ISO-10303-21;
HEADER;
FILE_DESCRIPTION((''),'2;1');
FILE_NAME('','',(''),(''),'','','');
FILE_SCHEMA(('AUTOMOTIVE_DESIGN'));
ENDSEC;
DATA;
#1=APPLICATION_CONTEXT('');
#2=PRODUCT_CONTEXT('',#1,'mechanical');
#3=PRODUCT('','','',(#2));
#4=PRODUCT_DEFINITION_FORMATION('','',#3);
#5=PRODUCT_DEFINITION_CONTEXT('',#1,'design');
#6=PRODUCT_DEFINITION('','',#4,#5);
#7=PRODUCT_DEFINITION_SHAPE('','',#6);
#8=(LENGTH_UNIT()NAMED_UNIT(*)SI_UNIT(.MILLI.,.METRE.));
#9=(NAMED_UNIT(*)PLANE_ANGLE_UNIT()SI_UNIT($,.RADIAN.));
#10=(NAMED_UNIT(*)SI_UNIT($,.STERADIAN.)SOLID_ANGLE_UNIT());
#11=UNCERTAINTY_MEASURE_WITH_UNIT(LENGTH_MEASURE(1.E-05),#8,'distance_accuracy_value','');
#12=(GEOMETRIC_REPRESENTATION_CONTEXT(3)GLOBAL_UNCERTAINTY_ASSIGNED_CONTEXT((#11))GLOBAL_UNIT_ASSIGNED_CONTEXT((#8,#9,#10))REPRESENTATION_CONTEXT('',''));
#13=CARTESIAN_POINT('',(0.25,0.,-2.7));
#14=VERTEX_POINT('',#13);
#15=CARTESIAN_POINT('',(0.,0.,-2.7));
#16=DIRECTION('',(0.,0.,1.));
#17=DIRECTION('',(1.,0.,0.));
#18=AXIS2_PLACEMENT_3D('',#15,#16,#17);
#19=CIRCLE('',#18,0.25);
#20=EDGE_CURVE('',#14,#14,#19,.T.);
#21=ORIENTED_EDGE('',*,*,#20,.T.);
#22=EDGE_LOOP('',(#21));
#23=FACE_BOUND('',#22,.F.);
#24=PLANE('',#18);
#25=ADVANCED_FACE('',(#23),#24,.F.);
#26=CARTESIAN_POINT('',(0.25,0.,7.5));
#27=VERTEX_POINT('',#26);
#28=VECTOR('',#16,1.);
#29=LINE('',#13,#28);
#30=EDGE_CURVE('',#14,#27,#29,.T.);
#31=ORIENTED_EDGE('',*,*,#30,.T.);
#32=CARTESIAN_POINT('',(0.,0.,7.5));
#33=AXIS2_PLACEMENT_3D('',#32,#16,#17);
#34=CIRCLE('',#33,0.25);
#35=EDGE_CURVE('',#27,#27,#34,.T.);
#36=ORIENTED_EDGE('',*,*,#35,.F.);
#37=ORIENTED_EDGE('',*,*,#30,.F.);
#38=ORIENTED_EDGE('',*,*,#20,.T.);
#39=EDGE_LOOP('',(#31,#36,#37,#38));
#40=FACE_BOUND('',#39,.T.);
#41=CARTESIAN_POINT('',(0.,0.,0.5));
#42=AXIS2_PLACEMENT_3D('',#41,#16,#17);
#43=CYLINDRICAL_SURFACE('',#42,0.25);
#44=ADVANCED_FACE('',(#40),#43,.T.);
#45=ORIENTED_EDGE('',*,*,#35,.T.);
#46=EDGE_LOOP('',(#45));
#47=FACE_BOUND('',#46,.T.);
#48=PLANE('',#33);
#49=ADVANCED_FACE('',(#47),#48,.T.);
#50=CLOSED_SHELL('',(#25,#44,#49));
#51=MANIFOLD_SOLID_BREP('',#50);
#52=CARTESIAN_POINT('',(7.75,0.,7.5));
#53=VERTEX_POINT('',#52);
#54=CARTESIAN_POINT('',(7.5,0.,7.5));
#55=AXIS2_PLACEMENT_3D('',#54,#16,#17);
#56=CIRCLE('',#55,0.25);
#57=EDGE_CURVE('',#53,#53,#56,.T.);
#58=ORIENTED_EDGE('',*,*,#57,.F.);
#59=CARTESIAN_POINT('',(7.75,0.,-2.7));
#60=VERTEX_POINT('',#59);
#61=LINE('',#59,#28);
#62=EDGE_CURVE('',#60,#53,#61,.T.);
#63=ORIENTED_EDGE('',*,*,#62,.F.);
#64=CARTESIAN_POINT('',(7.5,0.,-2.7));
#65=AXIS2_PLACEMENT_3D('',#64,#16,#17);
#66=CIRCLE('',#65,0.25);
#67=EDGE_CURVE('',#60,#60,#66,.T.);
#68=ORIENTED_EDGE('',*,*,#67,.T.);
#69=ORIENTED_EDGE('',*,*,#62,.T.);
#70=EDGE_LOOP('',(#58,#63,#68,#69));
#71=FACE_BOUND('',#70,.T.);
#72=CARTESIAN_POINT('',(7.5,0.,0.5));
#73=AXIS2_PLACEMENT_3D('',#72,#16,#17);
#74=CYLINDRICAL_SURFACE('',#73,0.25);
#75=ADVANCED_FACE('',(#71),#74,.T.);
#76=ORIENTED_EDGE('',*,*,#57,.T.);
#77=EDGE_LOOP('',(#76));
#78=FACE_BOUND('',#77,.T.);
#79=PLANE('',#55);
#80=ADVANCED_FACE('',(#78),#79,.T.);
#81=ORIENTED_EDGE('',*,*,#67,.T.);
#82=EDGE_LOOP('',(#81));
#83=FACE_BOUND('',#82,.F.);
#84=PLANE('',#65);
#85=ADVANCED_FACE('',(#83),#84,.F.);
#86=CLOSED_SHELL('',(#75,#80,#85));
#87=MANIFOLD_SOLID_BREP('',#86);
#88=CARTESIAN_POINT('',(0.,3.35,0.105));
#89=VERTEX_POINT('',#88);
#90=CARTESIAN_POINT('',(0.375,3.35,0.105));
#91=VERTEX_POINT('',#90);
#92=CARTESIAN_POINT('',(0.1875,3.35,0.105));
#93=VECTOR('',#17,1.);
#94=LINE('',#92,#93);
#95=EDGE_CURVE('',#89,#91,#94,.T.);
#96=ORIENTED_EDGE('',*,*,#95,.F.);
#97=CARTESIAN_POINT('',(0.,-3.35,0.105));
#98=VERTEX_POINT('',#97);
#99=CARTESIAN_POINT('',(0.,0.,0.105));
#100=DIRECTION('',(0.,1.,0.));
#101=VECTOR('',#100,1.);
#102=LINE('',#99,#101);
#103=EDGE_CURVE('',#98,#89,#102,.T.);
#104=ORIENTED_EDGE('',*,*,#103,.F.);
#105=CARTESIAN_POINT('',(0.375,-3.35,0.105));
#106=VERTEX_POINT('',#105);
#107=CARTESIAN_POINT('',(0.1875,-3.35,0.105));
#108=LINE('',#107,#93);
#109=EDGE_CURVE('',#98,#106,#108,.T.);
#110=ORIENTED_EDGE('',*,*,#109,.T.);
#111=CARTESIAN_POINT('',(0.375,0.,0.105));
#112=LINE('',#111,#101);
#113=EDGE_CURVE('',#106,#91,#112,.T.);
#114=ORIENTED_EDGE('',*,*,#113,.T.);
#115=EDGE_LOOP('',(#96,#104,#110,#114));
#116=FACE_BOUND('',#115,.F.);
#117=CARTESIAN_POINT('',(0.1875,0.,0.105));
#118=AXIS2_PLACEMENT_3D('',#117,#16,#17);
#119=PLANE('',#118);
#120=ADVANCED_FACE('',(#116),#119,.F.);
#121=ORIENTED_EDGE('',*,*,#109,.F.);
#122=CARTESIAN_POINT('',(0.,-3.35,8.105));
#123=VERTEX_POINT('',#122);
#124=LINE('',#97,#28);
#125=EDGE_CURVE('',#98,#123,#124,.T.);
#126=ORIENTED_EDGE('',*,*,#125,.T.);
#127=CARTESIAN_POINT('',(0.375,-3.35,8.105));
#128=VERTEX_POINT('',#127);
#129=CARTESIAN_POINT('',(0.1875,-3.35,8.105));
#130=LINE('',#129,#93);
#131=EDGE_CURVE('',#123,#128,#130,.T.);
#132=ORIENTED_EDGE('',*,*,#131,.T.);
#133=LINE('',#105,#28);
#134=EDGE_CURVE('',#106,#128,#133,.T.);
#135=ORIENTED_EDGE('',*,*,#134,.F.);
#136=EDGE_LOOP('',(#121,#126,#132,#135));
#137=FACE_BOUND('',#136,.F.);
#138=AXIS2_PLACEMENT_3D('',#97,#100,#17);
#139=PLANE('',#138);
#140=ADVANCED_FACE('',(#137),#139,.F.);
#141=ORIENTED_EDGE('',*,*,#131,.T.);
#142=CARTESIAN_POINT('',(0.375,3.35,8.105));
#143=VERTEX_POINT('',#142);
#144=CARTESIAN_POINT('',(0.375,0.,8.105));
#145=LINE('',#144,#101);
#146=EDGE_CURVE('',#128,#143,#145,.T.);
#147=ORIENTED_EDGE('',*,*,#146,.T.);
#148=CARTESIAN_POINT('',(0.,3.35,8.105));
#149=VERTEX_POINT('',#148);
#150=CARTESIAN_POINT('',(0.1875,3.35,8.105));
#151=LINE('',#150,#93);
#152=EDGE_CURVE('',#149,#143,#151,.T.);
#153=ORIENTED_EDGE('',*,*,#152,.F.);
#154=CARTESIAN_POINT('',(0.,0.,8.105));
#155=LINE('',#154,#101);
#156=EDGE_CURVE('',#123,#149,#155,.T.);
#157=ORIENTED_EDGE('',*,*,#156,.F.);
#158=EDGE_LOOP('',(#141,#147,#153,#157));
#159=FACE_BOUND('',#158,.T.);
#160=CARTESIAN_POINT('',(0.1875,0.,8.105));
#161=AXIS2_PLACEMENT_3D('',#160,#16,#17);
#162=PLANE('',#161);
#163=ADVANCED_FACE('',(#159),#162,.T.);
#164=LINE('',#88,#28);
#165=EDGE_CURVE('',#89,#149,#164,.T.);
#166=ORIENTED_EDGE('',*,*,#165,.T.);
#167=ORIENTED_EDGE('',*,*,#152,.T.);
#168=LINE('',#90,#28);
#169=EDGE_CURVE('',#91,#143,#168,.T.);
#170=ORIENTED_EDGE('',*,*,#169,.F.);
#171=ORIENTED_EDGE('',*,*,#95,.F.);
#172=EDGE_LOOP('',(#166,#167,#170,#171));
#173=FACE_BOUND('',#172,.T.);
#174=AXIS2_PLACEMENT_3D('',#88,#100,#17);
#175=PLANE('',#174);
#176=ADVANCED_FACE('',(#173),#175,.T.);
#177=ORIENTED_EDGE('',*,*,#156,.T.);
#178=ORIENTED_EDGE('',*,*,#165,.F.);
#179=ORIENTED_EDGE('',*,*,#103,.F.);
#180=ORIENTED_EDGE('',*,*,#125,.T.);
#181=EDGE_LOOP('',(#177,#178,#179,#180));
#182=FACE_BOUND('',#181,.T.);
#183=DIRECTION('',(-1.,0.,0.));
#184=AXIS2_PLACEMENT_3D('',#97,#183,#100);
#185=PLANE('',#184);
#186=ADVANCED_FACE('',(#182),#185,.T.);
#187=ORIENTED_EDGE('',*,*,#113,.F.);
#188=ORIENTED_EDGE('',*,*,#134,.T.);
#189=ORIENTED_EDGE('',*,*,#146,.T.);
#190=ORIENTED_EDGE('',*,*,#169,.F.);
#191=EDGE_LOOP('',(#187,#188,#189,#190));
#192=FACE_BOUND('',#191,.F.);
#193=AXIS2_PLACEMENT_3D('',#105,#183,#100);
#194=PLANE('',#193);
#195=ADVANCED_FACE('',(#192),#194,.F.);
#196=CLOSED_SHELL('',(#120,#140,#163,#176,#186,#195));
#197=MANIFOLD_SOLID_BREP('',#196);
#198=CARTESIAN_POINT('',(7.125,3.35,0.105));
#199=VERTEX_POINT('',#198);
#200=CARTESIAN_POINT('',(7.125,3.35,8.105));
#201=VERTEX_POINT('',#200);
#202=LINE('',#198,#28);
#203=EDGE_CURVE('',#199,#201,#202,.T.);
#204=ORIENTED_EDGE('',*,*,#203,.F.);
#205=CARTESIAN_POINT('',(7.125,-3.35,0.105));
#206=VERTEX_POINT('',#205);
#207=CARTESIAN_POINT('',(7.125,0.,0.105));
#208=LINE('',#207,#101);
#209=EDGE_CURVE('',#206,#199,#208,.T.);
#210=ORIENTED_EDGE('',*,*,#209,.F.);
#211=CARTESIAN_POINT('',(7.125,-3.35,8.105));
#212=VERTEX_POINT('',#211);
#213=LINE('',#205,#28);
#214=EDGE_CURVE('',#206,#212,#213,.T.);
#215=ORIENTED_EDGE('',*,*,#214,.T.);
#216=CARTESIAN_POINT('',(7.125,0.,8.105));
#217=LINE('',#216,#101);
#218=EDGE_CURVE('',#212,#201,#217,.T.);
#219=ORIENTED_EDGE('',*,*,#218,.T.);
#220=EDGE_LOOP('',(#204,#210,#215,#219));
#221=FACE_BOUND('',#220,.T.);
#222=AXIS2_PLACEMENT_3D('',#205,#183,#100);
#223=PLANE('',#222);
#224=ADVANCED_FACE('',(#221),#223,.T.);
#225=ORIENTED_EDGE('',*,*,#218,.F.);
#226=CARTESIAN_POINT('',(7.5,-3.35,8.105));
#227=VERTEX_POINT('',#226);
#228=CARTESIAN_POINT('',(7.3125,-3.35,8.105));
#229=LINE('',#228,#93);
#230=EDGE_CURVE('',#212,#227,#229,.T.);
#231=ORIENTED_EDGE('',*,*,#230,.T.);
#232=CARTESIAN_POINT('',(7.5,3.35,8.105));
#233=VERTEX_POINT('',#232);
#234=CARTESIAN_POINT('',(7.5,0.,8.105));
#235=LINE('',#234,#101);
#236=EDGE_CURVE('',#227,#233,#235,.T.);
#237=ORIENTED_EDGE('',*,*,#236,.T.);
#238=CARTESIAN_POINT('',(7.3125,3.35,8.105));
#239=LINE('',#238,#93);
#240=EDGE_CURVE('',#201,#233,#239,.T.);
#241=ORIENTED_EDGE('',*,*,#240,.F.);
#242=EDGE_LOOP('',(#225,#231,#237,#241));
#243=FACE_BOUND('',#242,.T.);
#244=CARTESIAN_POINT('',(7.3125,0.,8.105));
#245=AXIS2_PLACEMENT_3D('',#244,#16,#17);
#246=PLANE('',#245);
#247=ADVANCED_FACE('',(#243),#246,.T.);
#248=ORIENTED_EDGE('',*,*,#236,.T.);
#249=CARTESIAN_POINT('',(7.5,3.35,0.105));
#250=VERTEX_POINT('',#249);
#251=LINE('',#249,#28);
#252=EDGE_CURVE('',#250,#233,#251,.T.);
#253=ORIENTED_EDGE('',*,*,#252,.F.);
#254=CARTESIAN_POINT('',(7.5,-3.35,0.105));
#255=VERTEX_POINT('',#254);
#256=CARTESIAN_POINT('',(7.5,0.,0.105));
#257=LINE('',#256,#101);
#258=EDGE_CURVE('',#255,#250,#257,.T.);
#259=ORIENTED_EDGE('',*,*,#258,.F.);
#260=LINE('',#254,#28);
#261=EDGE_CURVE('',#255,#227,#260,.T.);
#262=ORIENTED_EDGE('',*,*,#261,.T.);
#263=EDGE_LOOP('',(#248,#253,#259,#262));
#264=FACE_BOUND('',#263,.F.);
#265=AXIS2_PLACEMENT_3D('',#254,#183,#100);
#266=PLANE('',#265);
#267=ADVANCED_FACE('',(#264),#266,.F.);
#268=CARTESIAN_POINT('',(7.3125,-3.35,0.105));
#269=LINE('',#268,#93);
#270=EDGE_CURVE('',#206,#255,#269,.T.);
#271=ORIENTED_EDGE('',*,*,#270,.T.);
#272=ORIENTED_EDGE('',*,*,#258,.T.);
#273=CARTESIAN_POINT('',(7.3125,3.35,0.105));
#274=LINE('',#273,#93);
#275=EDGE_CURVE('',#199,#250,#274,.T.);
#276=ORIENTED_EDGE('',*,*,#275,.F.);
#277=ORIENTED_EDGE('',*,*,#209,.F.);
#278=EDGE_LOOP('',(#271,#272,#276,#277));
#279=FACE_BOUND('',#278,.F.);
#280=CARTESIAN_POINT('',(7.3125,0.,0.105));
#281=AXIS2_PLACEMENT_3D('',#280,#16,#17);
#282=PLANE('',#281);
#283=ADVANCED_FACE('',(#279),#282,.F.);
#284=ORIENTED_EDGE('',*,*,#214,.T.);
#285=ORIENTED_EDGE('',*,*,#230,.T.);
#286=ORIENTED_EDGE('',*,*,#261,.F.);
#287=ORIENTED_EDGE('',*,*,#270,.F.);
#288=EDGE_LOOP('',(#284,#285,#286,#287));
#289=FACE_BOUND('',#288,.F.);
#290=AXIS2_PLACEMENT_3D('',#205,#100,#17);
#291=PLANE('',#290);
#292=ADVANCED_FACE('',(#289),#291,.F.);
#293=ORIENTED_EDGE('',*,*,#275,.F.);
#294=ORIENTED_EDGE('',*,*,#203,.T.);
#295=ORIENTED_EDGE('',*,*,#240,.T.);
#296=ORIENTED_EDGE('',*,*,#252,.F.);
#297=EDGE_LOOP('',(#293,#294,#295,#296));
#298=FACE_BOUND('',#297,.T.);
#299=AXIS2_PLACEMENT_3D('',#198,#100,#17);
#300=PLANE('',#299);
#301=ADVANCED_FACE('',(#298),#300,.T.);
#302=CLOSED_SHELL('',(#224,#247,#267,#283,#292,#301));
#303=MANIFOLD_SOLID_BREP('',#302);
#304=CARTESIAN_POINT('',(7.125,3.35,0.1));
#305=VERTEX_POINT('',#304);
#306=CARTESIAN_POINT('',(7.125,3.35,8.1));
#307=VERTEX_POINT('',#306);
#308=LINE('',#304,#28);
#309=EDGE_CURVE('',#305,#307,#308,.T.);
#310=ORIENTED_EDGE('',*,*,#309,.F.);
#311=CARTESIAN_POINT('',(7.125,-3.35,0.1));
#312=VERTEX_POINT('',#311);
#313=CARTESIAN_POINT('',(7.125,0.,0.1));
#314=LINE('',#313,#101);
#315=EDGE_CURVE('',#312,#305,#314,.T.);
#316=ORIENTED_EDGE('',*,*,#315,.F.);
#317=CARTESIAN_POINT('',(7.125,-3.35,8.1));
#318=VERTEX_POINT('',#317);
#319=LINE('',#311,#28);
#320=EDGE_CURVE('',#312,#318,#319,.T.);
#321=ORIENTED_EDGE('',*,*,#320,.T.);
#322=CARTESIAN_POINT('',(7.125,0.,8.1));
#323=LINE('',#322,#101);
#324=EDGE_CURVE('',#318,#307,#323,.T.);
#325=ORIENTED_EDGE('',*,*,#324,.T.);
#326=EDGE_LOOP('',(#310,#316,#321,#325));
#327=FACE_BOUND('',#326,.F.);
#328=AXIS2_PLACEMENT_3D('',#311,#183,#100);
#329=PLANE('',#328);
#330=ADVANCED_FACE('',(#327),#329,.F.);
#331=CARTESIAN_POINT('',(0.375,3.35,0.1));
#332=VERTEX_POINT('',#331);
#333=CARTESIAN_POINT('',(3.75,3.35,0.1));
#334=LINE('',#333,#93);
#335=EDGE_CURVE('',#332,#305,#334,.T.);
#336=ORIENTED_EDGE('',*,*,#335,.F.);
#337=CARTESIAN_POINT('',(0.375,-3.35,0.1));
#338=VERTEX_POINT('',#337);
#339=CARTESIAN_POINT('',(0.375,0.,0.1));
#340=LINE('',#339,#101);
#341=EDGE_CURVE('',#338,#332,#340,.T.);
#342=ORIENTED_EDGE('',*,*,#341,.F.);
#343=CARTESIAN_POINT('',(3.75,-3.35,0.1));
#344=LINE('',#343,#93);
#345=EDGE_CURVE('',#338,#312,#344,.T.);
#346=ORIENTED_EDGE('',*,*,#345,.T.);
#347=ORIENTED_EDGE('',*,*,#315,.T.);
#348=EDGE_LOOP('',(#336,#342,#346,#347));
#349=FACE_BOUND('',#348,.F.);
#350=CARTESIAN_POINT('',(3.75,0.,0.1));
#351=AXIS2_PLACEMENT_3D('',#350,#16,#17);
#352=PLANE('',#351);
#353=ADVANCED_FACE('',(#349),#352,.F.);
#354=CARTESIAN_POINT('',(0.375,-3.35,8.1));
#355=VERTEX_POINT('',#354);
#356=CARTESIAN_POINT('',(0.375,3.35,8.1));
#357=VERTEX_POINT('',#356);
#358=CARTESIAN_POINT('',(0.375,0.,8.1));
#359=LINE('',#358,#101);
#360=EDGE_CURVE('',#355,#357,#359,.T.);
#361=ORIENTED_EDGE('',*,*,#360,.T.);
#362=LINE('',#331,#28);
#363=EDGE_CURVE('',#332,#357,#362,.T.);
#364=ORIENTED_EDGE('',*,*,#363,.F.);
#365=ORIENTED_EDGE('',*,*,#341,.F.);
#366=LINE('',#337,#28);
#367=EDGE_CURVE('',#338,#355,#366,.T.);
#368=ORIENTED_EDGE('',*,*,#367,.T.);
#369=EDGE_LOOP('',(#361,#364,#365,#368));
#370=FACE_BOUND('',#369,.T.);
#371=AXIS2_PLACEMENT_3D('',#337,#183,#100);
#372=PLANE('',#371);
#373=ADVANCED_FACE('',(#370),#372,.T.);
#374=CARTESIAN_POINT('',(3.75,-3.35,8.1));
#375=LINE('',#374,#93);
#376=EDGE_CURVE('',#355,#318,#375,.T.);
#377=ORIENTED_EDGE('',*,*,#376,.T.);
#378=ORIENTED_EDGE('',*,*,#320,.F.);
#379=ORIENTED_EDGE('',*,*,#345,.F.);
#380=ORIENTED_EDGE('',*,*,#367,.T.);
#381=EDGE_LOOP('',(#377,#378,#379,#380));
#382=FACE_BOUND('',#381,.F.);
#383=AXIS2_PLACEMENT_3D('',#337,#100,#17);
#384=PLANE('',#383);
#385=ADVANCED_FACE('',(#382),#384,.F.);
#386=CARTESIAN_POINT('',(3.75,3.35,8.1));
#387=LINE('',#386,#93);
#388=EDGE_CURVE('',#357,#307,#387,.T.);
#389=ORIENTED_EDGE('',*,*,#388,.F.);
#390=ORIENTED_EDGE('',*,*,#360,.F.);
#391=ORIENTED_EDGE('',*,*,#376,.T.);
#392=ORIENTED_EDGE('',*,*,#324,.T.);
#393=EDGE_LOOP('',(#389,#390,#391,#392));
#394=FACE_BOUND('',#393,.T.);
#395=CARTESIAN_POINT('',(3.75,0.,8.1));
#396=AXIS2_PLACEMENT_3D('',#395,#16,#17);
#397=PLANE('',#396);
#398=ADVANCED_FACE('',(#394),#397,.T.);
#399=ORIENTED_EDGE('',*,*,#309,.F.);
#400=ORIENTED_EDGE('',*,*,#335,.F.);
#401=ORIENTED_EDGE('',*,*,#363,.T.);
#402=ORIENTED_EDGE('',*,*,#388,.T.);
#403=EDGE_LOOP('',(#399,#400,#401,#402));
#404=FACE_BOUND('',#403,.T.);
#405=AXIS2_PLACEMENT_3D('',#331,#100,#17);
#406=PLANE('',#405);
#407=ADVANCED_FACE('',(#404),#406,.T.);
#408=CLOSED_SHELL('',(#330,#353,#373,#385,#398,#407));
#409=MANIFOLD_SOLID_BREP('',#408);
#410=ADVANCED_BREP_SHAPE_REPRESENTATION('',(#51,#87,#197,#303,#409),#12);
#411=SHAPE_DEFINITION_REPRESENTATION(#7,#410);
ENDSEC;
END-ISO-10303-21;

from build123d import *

# Parameters (mm, degrees)
SKETCH_W          = 6.75
SKETCH_H          = 6.7
PAD_DEPTH         = 8
SKETCH001_R       = 0.25
PAD001_DEPTH      = 7
PAD001_DEPTH_BACK = 3.2
SKETCH002_W       = 0.375
SKETCH002_H       = 6.7
PAD002_DEPTH      = 8


with BuildPart() as pad:
    # Sketch → Pad (new body)
    with BuildSketch(Plane.XY.offset(0.1)):
        with Locations((3.75, 0)):
            Rectangle(SKETCH_W, SKETCH_H)
    extrude(amount=PAD_DEPTH)


with BuildPart() as pad001:
    # Sketch001 → Pad001 (new body, two sides)
    with BuildSketch(Plane.XY.offset(0.5)) as pad001_sk:
        Circle(SKETCH001_R)
        with Locations((7.5, 0)):
            Circle(SKETCH001_R)
    extrude(amount=PAD001_DEPTH)
    extrude(pad001_sk.sketch, amount=-PAD001_DEPTH_BACK)


with BuildPart() as pad002:
    # Sketch002 → Pad002 (new body)
    with BuildSketch(Plane.XY.offset(0.105)):
        with Locations((0.1875, 0)):
            Rectangle(SKETCH002_W, SKETCH002_H)
        with Locations((7.3125, 0)):
            Rectangle(SKETCH002_W, SKETCH002_H)
    extrude(amount=PAD002_DEPTH)


solid = Compound([pad.part, pad001.part, pad002.part])
